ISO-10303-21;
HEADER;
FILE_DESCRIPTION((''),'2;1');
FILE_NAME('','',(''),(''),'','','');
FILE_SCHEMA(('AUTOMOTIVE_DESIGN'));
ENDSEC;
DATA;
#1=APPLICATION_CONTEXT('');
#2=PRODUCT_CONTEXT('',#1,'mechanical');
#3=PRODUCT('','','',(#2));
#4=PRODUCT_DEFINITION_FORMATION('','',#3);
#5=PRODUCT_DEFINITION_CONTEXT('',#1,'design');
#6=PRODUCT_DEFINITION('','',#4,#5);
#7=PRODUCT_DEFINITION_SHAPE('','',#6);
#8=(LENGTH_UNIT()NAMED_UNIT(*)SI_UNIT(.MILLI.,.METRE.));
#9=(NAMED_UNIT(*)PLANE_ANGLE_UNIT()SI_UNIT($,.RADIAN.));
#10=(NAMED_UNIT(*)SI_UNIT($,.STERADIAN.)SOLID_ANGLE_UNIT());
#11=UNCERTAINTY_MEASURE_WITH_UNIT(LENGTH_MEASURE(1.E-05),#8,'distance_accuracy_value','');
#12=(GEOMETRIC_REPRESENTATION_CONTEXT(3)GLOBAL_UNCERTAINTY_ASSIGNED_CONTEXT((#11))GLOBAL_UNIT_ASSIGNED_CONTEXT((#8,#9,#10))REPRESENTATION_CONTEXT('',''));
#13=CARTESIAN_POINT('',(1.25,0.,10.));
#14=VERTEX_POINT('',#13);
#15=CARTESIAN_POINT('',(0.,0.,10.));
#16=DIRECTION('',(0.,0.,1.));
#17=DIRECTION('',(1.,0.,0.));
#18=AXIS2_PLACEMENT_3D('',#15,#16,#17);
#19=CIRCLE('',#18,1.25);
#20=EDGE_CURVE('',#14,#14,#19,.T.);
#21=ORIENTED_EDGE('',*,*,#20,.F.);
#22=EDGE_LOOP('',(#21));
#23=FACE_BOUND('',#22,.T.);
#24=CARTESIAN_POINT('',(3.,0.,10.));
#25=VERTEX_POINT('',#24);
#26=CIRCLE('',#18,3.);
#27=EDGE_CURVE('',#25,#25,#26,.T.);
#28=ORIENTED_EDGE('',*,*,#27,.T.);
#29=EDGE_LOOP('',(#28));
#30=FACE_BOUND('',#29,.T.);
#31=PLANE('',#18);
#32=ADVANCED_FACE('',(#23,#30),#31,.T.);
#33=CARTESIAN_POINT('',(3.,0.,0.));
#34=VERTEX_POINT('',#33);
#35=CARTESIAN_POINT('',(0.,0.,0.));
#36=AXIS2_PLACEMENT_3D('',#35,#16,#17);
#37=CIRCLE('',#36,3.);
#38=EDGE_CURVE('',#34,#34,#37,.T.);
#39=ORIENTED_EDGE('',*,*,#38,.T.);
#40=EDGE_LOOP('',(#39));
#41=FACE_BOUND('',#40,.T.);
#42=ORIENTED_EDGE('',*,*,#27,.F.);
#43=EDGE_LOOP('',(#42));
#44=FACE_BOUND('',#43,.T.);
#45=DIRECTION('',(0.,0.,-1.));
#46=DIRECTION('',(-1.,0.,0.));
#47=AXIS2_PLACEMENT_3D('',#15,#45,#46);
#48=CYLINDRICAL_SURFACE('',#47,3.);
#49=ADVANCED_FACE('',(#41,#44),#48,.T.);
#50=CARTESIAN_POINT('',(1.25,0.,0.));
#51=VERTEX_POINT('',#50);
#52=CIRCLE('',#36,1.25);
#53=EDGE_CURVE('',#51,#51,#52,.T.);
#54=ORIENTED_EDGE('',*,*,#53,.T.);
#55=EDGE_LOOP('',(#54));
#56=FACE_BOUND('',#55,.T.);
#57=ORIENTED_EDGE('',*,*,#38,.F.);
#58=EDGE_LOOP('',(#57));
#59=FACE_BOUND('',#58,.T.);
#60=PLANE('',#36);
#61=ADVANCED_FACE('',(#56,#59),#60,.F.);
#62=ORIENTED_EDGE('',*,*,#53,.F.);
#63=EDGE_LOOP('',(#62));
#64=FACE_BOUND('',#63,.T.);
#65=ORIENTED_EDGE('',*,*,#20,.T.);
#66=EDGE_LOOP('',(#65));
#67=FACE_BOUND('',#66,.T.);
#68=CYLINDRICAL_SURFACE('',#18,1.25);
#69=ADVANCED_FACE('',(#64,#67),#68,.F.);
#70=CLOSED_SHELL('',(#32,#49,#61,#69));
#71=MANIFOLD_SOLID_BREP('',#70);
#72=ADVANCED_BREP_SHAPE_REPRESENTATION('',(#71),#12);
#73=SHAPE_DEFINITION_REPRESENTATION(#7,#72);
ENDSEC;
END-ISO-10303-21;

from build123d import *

# Parameters (mm, degrees)
SKETCH1_R             = 3
BOSS_EXTRUDE1_DEPTH   = 10
M3X0_5_TAPPED_HOLE1_D = 2.5


with BuildPart() as part:
    # Sketch1 → Boss-Extrude1 (new body)
    with BuildSketch(Plane.XY):
        Circle(SKETCH1_R)
    extrude(amount=BOSS_EXTRUDE1_DEPTH)

    # M3x0.5 Tapped Hole1 (through all)
    with Locations(Plane.XY.offset(10)):
        with Locations((0, 0)):
            Hole(M3X0_5_TAPPED_HOLE1_D / 2)


solid = part.part
